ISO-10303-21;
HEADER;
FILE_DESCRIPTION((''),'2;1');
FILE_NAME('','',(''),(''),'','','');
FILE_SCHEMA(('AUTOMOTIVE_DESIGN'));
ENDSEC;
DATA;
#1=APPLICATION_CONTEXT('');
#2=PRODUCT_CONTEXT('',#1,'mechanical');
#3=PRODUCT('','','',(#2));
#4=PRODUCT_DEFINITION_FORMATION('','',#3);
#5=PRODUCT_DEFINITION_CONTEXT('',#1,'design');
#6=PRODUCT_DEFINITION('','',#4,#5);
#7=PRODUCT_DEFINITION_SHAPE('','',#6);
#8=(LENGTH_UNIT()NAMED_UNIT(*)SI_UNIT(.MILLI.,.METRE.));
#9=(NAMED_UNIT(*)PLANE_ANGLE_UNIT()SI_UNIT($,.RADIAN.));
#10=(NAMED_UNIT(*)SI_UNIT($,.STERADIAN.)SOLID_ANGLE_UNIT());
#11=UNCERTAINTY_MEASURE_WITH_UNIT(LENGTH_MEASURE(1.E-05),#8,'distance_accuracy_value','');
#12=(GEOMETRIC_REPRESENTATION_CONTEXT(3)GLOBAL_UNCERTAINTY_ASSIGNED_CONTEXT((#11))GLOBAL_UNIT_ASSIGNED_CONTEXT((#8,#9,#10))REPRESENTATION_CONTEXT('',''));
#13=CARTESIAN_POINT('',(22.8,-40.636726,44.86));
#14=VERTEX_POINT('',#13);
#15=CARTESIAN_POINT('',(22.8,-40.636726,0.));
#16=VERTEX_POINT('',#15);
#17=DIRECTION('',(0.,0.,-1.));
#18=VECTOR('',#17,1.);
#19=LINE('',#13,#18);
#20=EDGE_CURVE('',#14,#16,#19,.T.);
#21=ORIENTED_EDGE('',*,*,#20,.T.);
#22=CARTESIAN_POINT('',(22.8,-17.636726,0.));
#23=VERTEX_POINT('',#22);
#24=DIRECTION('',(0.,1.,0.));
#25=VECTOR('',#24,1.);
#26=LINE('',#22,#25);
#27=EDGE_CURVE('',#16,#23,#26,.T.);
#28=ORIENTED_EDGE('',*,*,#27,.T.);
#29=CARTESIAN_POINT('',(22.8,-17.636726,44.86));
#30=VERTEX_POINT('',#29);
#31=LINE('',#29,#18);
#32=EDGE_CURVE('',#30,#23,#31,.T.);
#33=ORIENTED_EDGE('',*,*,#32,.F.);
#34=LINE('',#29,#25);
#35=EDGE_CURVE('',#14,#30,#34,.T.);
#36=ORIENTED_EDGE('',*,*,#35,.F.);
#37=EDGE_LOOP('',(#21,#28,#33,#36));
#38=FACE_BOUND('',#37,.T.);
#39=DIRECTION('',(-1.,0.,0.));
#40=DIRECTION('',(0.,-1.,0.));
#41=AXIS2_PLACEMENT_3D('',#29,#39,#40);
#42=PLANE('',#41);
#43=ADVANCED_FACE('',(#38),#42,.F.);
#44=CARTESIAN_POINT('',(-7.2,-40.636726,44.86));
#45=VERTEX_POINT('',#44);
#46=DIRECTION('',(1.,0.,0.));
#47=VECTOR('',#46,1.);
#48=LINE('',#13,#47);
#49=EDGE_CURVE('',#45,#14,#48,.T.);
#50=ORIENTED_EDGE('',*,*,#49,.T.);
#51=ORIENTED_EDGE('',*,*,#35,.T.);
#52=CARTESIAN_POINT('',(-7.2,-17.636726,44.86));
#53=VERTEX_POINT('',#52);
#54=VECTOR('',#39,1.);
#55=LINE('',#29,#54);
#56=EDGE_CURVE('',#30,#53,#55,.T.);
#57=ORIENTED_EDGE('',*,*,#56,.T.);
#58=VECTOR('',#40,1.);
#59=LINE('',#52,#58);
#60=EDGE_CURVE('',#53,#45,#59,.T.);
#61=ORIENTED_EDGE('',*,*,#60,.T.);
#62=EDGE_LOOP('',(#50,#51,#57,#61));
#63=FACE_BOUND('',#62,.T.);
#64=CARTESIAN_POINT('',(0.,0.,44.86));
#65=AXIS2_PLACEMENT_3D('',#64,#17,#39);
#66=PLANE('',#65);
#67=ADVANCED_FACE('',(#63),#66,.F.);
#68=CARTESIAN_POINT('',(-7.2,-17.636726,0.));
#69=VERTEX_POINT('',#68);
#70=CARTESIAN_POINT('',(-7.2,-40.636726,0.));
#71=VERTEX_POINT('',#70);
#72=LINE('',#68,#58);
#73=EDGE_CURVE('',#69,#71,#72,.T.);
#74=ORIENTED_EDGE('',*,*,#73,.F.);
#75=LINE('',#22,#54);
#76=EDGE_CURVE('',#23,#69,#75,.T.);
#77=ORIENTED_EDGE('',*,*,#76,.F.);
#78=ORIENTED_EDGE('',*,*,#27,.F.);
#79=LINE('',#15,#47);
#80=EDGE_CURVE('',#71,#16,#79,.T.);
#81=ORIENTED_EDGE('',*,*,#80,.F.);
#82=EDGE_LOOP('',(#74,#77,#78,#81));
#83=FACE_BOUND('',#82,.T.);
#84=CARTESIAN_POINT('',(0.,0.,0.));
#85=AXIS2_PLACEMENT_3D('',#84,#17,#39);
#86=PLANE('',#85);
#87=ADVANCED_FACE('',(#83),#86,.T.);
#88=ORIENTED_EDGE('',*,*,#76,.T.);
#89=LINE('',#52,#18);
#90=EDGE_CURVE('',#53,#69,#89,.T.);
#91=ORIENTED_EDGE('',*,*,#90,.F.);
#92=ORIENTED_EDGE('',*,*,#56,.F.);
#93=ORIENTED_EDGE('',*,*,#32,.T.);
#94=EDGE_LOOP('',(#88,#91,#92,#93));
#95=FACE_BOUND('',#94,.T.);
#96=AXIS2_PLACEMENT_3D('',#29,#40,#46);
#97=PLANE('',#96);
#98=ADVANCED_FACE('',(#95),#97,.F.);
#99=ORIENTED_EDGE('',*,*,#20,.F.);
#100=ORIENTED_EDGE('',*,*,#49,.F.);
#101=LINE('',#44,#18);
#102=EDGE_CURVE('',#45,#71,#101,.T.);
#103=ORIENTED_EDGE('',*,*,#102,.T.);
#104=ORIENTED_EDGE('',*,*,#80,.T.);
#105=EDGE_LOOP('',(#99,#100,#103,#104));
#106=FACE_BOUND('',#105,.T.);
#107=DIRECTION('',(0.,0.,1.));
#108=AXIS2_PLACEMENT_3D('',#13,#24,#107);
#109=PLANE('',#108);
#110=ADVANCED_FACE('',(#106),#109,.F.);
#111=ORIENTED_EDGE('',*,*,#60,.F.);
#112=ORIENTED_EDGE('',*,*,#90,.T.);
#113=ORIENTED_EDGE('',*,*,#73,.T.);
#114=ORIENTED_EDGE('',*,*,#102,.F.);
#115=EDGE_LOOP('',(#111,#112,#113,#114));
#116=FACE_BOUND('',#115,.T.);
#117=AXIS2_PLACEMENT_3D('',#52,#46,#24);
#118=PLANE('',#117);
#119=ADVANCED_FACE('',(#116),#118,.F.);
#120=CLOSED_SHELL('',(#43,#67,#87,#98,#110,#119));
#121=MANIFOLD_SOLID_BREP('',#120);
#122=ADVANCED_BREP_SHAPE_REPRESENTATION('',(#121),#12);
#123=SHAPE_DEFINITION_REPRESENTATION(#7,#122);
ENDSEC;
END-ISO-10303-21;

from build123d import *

# Parameters (mm, degrees)
SKETCH1_W           = 30
SKETCH1_H           = 23
BOSS_EXTRUDE1_DEPTH = 44.86


with BuildPart() as part:
    # Sketch1 → Boss-Extrude1 (new body)
    with BuildSketch(Plane.XY):
        with Locations((7.8, -29.136725871)):
            Rectangle(SKETCH1_W, SKETCH1_H)
    extrude(amount=BOSS_EXTRUDE1_DEPTH)


solid = part.part
